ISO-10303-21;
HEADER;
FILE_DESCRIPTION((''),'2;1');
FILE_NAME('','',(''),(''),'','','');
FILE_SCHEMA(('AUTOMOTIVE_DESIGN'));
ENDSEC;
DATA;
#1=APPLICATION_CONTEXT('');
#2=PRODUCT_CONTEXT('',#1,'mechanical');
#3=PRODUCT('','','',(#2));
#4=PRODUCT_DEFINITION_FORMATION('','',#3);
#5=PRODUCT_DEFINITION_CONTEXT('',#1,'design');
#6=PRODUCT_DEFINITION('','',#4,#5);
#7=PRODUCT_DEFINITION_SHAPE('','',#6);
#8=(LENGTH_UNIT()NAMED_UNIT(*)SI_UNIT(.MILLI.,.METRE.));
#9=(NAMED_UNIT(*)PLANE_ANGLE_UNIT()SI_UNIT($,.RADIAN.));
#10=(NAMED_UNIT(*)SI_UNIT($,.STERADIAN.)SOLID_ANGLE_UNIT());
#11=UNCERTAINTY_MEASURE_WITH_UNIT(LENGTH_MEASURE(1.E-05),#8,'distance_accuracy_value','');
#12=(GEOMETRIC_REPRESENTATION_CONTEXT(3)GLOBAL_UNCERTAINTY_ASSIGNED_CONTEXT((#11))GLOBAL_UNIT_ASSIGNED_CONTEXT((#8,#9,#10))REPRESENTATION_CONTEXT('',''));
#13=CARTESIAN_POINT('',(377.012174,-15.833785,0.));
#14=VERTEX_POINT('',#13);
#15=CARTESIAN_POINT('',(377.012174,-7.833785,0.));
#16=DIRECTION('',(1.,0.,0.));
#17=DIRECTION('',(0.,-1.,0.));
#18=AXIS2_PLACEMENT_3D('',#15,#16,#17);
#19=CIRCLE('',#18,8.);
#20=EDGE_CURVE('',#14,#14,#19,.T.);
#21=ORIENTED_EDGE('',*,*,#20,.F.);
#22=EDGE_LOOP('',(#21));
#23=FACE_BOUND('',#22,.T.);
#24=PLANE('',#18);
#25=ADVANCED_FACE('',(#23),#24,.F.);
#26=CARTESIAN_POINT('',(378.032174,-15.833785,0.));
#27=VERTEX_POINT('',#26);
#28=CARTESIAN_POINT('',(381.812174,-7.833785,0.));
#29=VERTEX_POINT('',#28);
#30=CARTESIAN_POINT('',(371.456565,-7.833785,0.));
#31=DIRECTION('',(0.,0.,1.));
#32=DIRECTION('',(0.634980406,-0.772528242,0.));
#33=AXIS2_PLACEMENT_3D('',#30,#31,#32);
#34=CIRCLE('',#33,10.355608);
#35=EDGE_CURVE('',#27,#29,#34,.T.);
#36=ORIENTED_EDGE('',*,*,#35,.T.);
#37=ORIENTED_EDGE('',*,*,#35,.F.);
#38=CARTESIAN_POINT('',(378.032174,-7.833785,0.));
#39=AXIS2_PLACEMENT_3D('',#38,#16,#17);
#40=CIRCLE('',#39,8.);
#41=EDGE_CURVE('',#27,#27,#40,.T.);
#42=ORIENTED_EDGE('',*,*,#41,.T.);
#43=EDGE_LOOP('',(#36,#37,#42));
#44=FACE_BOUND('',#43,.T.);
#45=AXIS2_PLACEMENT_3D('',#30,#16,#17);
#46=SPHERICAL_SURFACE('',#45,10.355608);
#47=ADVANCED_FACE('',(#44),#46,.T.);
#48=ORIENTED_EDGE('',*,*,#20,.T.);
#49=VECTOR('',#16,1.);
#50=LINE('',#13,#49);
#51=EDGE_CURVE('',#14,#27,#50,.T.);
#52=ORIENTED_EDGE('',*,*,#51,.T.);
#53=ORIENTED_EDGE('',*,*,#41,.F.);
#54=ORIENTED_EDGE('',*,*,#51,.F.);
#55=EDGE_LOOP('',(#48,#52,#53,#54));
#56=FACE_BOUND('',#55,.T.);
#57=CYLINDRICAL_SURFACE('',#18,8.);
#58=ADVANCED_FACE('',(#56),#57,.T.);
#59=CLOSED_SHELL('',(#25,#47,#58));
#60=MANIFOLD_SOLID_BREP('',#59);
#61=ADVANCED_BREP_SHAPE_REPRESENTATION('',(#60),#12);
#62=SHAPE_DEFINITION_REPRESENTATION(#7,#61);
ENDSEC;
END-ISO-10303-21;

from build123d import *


with BuildPart() as part:
    # 草图1 → 旋转1 (revolve)
    with BuildSketch(Plane.XY, mode=Mode.PRIVATE) as revolve_1_sk:
        with BuildLine():
            Line((377.012173506, -7.833785246), (377.012173506, 0.166214754))
            Line((377.012173506, 0.166214754), (378.032173506, 0.166214754))
            ThreePointArc((378.032173506, 0.166214754), (380.819605503, -3.409748628), (381.812173506, -7.833785246))
            Line((381.812173506, -7.833785246), (377.012173506, -7.833785246))
        make_face()
    revolve(revolve_1_sk.sketch.rotate(Axis((375.364201033, -7.833785246, 0), (1, 0, 0)), 180), axis=Axis((375.364201033, -7.833785246, 0), (1, 0, 0)))  # turned: the seam where the file's is


solid = part.part
